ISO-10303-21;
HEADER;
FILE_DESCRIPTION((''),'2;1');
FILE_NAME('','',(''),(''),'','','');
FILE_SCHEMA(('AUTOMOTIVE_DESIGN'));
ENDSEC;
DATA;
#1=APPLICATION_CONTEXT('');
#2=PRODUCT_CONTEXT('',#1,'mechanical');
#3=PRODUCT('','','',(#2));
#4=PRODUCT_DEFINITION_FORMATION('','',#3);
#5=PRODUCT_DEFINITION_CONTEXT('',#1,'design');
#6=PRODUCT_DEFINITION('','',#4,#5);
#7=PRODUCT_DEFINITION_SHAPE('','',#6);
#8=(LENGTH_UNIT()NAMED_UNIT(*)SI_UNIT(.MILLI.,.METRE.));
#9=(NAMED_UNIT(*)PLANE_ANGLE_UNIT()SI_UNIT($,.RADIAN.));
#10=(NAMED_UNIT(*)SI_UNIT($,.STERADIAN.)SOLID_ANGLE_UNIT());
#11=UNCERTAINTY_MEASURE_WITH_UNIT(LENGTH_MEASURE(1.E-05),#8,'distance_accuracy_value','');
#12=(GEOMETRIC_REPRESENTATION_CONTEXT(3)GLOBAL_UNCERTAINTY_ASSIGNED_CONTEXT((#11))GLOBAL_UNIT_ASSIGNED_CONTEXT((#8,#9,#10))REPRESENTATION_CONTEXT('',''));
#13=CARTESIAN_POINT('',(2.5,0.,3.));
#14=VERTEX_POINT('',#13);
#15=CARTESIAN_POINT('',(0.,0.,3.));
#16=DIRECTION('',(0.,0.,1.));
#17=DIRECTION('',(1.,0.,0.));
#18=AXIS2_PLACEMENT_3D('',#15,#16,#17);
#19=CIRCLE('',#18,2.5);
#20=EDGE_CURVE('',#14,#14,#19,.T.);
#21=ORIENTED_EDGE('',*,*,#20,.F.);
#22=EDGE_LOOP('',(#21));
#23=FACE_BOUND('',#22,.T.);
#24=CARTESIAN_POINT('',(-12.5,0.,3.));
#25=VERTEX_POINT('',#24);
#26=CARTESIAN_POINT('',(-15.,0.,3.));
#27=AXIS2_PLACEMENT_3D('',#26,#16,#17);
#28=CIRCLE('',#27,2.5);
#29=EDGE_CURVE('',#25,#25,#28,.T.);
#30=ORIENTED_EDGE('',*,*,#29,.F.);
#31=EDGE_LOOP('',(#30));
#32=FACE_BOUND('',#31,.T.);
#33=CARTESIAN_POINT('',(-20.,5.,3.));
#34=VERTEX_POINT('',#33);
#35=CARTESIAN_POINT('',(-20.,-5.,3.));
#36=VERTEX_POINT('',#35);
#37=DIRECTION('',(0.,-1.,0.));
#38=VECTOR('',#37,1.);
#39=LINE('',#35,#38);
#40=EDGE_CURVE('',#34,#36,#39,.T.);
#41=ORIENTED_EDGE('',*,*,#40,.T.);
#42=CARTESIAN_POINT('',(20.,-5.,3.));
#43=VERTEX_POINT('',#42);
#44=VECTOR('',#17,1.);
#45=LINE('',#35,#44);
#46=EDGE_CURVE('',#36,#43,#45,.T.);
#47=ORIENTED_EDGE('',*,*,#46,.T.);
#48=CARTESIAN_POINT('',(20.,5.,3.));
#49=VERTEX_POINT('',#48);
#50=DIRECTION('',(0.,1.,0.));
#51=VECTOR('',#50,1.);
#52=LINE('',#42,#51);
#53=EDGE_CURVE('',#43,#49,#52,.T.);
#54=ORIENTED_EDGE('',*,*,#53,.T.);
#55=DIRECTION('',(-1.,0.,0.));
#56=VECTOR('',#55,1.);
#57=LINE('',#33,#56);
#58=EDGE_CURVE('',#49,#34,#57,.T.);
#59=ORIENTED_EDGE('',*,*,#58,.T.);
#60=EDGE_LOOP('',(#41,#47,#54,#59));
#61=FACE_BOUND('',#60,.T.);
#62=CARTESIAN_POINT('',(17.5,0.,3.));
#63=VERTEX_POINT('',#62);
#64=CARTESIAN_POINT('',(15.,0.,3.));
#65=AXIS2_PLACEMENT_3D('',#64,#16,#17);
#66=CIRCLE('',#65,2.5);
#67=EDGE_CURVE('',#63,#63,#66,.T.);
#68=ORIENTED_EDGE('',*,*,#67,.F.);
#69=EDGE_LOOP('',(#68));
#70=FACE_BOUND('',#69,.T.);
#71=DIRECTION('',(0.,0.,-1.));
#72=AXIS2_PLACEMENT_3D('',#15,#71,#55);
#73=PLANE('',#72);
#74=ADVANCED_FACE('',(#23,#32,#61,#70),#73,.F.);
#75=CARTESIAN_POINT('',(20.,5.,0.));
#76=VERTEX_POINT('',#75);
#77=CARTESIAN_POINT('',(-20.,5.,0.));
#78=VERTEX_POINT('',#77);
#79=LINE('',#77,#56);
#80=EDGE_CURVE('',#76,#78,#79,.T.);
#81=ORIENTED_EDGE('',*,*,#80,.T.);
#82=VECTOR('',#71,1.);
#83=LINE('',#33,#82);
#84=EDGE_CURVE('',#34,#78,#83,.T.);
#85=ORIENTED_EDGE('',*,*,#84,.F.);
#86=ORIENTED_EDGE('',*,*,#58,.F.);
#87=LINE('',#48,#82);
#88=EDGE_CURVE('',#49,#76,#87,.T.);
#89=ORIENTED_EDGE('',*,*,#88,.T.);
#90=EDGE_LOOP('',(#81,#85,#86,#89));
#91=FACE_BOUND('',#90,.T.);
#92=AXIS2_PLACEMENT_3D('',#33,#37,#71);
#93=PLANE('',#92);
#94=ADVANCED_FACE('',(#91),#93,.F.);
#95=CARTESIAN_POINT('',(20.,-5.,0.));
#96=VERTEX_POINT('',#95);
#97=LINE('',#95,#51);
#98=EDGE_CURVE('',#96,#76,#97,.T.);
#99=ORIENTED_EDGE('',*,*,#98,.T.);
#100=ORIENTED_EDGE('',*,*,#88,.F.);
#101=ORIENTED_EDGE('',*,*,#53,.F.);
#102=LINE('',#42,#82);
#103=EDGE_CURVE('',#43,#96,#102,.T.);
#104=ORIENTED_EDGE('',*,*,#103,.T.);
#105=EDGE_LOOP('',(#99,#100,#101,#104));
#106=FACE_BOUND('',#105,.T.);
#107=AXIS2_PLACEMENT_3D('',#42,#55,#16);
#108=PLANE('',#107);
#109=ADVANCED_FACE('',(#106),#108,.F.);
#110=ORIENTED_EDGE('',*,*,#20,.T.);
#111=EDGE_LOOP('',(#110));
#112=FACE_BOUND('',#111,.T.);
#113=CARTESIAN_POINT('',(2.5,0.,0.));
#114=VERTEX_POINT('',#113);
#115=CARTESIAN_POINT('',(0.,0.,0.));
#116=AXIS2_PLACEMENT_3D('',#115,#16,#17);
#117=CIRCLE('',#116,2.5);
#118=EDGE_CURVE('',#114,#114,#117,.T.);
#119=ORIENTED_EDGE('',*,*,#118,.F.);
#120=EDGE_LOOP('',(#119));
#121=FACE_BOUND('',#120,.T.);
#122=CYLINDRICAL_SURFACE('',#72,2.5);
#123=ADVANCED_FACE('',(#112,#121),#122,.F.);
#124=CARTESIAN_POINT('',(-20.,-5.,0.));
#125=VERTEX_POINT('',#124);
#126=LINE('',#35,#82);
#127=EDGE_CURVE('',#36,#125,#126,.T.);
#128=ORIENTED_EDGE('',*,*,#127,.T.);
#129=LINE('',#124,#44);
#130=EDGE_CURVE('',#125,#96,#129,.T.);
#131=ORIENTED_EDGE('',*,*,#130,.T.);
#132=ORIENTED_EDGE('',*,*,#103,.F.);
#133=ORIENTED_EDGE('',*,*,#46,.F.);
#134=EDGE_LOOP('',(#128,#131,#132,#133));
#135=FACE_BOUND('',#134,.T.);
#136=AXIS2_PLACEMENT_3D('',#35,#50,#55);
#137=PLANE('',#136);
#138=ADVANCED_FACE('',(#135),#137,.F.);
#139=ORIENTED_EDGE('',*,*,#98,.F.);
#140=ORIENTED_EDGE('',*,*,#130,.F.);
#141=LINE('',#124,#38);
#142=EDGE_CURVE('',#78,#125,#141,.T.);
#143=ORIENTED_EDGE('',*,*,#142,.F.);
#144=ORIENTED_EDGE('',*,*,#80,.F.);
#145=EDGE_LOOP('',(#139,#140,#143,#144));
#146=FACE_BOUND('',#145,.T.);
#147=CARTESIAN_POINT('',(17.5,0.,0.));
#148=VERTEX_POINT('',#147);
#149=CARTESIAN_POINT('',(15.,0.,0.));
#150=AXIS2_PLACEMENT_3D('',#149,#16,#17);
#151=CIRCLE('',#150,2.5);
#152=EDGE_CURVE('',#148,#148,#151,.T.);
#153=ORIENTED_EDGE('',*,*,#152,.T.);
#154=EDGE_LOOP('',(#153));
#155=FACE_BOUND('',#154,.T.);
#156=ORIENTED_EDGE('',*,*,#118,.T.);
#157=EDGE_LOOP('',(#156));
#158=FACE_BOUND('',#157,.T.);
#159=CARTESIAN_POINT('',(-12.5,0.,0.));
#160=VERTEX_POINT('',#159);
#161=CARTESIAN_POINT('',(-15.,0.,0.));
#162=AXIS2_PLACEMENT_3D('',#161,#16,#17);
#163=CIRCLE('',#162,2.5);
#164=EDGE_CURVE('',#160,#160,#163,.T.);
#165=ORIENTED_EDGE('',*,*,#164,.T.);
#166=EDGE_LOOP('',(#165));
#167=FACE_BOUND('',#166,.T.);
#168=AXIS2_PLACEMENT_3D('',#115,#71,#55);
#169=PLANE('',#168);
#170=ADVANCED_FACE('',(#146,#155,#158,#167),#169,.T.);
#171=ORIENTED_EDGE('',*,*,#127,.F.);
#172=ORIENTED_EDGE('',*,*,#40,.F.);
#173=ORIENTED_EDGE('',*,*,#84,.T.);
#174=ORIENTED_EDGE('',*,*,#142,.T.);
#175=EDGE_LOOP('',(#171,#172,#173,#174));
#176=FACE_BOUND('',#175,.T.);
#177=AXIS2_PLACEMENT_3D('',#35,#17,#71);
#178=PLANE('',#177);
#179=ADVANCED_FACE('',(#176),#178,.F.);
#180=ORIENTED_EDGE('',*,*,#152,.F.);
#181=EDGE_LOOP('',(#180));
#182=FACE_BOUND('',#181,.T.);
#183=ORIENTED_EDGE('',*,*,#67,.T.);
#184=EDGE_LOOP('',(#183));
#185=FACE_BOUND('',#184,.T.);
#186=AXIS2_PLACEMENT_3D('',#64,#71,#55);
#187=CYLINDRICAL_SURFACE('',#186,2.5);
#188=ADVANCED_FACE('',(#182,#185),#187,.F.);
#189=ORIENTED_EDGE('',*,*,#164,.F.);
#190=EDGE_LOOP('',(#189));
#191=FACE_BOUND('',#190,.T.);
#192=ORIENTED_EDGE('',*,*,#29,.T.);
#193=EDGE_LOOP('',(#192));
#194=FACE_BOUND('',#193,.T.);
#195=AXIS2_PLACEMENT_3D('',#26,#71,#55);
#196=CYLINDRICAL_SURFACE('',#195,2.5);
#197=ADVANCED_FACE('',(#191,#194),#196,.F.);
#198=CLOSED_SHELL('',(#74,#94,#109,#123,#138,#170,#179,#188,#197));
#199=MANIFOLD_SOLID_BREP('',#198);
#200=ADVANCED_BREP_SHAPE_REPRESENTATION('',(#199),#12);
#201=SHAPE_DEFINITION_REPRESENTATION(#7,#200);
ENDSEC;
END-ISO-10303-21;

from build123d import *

# Parameters (mm, degrees)
SKETCH_1_W      = 40
SKETCH_1_H      = 10
SKETCH_1_R      = 2.5
EXTRUDE_1_DEPTH = 3


with BuildPart() as part:
    # 草圖1 → 填料-伸長1 (new body)
    with BuildSketch(Plane.XY):
        Rectangle(SKETCH_1_W, SKETCH_1_H)
        with Locations((-15, 0)):
            Circle(SKETCH_1_R, mode=Mode.SUBTRACT)
        with Locations((15, 0)):
            Circle(SKETCH_1_R, mode=Mode.SUBTRACT)
        Circle(SKETCH_1_R, mode=Mode.SUBTRACT)
    extrude(amount=EXTRUDE_1_DEPTH)


solid = part.part
